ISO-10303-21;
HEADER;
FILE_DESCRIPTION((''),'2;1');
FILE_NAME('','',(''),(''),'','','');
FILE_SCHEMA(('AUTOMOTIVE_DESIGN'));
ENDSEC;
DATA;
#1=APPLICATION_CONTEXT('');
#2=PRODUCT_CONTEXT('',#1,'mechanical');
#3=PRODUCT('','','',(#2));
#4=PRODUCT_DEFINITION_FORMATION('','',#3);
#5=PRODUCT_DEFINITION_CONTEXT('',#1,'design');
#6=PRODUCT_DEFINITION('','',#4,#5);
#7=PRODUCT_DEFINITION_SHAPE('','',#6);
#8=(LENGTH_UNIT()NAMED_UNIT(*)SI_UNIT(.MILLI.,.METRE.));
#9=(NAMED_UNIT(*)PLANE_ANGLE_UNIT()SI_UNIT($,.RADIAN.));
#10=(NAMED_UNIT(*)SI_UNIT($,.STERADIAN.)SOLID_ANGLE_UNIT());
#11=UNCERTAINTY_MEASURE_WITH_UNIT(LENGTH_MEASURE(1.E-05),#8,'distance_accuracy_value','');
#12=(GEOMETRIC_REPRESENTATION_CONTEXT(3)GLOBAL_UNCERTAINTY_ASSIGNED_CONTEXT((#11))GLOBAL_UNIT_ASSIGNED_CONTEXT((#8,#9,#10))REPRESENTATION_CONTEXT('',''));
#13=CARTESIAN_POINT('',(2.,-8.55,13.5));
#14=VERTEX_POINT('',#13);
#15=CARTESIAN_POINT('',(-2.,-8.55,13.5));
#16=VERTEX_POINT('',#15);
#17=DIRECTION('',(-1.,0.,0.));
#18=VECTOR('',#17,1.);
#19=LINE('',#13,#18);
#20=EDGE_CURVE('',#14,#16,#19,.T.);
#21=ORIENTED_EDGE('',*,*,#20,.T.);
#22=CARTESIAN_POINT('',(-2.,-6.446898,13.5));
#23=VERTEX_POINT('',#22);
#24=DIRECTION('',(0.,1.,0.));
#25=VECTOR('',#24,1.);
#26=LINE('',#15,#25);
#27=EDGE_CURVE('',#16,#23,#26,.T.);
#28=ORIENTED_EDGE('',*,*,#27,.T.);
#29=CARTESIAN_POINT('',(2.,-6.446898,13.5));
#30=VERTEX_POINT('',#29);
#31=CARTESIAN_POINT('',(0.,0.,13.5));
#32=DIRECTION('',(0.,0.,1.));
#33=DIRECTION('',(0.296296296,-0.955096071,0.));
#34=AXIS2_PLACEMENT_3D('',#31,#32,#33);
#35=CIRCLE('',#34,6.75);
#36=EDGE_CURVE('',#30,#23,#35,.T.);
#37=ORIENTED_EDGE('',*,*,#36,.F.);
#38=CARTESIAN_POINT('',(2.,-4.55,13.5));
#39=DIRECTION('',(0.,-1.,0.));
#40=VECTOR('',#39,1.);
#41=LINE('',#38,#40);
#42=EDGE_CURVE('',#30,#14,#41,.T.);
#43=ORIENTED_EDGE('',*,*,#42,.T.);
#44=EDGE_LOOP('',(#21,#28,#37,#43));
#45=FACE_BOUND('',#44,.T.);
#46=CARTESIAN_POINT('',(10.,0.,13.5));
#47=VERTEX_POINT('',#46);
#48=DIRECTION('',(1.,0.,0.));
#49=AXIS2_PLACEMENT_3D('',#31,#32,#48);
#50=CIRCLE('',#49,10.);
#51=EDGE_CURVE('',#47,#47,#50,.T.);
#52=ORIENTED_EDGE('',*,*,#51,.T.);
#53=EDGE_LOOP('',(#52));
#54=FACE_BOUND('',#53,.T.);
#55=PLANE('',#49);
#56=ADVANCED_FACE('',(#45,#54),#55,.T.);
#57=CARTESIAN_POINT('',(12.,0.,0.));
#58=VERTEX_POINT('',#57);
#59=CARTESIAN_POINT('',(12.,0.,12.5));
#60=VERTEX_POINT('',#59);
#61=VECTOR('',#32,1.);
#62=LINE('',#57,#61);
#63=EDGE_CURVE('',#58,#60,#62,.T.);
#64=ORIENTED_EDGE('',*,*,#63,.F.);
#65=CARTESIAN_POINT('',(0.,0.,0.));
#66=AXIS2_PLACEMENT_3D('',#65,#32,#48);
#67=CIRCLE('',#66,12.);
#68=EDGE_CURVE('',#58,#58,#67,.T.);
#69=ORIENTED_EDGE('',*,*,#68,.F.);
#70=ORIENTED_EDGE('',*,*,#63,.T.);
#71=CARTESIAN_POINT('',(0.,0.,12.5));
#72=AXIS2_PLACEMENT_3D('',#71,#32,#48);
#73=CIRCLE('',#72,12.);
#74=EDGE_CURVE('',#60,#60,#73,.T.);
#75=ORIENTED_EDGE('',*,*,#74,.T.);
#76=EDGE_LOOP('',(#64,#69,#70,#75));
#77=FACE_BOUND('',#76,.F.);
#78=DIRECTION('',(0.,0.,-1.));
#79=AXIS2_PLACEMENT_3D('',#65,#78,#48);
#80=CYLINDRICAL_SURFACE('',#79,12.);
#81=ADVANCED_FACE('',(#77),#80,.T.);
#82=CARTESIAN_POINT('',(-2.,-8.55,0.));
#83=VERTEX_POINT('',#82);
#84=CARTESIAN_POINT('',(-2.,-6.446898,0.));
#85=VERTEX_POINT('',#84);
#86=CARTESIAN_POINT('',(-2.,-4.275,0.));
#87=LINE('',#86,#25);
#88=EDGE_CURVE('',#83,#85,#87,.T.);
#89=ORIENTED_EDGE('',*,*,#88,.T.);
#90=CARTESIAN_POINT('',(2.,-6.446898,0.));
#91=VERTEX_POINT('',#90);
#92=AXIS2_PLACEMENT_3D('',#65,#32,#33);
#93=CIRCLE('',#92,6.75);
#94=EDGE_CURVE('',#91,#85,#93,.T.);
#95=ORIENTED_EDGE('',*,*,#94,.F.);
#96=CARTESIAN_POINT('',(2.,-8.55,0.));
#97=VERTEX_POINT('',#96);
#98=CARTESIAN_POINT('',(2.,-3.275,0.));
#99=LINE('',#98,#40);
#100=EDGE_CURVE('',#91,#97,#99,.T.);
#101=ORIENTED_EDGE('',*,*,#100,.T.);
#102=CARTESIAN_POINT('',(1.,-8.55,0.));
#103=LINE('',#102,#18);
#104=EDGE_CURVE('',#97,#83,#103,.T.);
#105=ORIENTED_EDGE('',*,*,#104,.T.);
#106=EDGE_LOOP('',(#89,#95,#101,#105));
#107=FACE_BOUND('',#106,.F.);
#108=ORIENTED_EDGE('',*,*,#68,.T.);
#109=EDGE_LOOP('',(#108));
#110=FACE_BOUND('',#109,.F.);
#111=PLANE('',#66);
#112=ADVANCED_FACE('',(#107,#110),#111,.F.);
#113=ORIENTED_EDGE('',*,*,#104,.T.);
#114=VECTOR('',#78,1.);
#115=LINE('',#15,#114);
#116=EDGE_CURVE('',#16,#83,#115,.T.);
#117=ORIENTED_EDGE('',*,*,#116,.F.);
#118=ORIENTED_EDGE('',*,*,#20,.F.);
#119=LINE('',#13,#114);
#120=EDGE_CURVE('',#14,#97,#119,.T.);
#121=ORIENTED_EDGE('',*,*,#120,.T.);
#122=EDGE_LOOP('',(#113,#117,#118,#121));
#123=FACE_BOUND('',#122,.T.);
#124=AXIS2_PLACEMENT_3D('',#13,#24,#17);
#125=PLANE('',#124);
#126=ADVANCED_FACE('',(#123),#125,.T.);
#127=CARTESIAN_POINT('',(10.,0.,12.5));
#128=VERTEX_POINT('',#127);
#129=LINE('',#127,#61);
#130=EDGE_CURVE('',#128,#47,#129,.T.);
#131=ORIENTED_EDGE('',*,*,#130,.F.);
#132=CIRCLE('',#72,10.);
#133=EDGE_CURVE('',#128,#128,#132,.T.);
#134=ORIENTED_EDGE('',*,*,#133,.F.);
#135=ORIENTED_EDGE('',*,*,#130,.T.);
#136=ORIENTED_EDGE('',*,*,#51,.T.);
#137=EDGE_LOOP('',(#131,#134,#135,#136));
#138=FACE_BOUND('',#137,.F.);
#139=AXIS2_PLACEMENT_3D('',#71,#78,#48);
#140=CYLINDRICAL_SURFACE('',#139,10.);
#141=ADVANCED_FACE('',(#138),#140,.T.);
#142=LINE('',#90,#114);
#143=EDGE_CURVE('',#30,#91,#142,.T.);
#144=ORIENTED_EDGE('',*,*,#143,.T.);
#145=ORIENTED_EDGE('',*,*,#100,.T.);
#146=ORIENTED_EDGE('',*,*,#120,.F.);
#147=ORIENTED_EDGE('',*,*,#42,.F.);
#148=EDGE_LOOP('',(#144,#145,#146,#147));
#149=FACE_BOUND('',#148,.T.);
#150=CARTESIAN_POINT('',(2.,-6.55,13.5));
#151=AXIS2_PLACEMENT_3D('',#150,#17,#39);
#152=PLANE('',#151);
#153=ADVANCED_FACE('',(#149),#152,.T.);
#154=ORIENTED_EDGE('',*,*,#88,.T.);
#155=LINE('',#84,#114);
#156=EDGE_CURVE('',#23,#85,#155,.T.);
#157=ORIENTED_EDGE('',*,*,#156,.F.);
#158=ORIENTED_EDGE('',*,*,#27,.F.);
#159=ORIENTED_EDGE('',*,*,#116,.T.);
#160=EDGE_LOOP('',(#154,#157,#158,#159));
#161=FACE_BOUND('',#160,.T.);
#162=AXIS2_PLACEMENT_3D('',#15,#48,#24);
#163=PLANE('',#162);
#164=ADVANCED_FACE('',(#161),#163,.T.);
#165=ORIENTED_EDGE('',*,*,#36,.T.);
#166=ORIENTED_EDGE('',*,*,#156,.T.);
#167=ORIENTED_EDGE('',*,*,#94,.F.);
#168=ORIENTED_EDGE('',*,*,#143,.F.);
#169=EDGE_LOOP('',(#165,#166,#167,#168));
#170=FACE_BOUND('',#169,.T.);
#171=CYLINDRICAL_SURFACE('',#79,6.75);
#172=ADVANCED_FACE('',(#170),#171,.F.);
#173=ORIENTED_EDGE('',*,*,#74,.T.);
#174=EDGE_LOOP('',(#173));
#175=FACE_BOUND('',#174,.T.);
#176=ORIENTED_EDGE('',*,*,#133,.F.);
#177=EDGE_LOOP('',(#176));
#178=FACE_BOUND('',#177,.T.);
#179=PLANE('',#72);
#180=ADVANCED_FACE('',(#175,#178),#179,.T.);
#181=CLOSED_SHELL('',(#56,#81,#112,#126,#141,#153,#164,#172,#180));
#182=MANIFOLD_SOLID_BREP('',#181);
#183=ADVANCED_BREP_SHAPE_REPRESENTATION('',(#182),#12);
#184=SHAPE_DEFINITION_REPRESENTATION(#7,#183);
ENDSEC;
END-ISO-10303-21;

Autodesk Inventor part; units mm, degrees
ref_plane "YZ Plane" through (0, 0, 0) normal (1, 0, 0) x (0, 1, 0)
ref_plane "XZ Plane" through (0, 0, 0) normal (0, 1, 0) x (-1, 0, 0)
ref_plane "XY Plane" through (0, 0, 0) normal (0, 0, 1) x (1, 0, 0)
sketch "Sketch1" plane through (0, 0, 0) normal (0, 0, 1) x (1, 0, 0)
  circle A0 centre (0, 0) radius 6.75
  circle A1 centre (0, 0) radius 12
  dimension "d0" = 13.5
  dimension "d1" = 24
extrude "Extrusion1" add sketch "Sketch1" along normal blind 12.5
sketch "Sketch3" plane through (0, 0, 12.5) normal (0, 0, 1) x (1, 0, 0)
  circle A0 centre (0, 0) radius 10
  circle A1 centre (0, 0) radius 6.75 projected
  dimension "d7" = 20
extrude "Extrusion3" add sketch "Sketch3" along normal blind 1
sketch "Sketch5" plane through (0, 0, 13.5) normal (0, 0, 1) x (1, 0, 0)
  line L0 (2, -8.55) -> (-2, -8.55)
  line L1 (-2, -8.55) -> (-2, -4.55)
  line L2 (-2, -4.55) -> (2, -4.55)
  line L3 (2, -4.55) -> (2, -8.55)
  line L4 (3.7816, -6.55) -> (-3.7816, -6.55) projected
  point P0 (0, 0)
  point P1 (0, -8.55)
  point P2 (-2, -6.55)
  point P3 (0, -6.55)
  dimension "d13" = 4
  dimension "d14" = 4
extrude "Extrusion5" cut sketch "Sketch5" against normal through all
properties part number "Outer Wheel Spacer"
